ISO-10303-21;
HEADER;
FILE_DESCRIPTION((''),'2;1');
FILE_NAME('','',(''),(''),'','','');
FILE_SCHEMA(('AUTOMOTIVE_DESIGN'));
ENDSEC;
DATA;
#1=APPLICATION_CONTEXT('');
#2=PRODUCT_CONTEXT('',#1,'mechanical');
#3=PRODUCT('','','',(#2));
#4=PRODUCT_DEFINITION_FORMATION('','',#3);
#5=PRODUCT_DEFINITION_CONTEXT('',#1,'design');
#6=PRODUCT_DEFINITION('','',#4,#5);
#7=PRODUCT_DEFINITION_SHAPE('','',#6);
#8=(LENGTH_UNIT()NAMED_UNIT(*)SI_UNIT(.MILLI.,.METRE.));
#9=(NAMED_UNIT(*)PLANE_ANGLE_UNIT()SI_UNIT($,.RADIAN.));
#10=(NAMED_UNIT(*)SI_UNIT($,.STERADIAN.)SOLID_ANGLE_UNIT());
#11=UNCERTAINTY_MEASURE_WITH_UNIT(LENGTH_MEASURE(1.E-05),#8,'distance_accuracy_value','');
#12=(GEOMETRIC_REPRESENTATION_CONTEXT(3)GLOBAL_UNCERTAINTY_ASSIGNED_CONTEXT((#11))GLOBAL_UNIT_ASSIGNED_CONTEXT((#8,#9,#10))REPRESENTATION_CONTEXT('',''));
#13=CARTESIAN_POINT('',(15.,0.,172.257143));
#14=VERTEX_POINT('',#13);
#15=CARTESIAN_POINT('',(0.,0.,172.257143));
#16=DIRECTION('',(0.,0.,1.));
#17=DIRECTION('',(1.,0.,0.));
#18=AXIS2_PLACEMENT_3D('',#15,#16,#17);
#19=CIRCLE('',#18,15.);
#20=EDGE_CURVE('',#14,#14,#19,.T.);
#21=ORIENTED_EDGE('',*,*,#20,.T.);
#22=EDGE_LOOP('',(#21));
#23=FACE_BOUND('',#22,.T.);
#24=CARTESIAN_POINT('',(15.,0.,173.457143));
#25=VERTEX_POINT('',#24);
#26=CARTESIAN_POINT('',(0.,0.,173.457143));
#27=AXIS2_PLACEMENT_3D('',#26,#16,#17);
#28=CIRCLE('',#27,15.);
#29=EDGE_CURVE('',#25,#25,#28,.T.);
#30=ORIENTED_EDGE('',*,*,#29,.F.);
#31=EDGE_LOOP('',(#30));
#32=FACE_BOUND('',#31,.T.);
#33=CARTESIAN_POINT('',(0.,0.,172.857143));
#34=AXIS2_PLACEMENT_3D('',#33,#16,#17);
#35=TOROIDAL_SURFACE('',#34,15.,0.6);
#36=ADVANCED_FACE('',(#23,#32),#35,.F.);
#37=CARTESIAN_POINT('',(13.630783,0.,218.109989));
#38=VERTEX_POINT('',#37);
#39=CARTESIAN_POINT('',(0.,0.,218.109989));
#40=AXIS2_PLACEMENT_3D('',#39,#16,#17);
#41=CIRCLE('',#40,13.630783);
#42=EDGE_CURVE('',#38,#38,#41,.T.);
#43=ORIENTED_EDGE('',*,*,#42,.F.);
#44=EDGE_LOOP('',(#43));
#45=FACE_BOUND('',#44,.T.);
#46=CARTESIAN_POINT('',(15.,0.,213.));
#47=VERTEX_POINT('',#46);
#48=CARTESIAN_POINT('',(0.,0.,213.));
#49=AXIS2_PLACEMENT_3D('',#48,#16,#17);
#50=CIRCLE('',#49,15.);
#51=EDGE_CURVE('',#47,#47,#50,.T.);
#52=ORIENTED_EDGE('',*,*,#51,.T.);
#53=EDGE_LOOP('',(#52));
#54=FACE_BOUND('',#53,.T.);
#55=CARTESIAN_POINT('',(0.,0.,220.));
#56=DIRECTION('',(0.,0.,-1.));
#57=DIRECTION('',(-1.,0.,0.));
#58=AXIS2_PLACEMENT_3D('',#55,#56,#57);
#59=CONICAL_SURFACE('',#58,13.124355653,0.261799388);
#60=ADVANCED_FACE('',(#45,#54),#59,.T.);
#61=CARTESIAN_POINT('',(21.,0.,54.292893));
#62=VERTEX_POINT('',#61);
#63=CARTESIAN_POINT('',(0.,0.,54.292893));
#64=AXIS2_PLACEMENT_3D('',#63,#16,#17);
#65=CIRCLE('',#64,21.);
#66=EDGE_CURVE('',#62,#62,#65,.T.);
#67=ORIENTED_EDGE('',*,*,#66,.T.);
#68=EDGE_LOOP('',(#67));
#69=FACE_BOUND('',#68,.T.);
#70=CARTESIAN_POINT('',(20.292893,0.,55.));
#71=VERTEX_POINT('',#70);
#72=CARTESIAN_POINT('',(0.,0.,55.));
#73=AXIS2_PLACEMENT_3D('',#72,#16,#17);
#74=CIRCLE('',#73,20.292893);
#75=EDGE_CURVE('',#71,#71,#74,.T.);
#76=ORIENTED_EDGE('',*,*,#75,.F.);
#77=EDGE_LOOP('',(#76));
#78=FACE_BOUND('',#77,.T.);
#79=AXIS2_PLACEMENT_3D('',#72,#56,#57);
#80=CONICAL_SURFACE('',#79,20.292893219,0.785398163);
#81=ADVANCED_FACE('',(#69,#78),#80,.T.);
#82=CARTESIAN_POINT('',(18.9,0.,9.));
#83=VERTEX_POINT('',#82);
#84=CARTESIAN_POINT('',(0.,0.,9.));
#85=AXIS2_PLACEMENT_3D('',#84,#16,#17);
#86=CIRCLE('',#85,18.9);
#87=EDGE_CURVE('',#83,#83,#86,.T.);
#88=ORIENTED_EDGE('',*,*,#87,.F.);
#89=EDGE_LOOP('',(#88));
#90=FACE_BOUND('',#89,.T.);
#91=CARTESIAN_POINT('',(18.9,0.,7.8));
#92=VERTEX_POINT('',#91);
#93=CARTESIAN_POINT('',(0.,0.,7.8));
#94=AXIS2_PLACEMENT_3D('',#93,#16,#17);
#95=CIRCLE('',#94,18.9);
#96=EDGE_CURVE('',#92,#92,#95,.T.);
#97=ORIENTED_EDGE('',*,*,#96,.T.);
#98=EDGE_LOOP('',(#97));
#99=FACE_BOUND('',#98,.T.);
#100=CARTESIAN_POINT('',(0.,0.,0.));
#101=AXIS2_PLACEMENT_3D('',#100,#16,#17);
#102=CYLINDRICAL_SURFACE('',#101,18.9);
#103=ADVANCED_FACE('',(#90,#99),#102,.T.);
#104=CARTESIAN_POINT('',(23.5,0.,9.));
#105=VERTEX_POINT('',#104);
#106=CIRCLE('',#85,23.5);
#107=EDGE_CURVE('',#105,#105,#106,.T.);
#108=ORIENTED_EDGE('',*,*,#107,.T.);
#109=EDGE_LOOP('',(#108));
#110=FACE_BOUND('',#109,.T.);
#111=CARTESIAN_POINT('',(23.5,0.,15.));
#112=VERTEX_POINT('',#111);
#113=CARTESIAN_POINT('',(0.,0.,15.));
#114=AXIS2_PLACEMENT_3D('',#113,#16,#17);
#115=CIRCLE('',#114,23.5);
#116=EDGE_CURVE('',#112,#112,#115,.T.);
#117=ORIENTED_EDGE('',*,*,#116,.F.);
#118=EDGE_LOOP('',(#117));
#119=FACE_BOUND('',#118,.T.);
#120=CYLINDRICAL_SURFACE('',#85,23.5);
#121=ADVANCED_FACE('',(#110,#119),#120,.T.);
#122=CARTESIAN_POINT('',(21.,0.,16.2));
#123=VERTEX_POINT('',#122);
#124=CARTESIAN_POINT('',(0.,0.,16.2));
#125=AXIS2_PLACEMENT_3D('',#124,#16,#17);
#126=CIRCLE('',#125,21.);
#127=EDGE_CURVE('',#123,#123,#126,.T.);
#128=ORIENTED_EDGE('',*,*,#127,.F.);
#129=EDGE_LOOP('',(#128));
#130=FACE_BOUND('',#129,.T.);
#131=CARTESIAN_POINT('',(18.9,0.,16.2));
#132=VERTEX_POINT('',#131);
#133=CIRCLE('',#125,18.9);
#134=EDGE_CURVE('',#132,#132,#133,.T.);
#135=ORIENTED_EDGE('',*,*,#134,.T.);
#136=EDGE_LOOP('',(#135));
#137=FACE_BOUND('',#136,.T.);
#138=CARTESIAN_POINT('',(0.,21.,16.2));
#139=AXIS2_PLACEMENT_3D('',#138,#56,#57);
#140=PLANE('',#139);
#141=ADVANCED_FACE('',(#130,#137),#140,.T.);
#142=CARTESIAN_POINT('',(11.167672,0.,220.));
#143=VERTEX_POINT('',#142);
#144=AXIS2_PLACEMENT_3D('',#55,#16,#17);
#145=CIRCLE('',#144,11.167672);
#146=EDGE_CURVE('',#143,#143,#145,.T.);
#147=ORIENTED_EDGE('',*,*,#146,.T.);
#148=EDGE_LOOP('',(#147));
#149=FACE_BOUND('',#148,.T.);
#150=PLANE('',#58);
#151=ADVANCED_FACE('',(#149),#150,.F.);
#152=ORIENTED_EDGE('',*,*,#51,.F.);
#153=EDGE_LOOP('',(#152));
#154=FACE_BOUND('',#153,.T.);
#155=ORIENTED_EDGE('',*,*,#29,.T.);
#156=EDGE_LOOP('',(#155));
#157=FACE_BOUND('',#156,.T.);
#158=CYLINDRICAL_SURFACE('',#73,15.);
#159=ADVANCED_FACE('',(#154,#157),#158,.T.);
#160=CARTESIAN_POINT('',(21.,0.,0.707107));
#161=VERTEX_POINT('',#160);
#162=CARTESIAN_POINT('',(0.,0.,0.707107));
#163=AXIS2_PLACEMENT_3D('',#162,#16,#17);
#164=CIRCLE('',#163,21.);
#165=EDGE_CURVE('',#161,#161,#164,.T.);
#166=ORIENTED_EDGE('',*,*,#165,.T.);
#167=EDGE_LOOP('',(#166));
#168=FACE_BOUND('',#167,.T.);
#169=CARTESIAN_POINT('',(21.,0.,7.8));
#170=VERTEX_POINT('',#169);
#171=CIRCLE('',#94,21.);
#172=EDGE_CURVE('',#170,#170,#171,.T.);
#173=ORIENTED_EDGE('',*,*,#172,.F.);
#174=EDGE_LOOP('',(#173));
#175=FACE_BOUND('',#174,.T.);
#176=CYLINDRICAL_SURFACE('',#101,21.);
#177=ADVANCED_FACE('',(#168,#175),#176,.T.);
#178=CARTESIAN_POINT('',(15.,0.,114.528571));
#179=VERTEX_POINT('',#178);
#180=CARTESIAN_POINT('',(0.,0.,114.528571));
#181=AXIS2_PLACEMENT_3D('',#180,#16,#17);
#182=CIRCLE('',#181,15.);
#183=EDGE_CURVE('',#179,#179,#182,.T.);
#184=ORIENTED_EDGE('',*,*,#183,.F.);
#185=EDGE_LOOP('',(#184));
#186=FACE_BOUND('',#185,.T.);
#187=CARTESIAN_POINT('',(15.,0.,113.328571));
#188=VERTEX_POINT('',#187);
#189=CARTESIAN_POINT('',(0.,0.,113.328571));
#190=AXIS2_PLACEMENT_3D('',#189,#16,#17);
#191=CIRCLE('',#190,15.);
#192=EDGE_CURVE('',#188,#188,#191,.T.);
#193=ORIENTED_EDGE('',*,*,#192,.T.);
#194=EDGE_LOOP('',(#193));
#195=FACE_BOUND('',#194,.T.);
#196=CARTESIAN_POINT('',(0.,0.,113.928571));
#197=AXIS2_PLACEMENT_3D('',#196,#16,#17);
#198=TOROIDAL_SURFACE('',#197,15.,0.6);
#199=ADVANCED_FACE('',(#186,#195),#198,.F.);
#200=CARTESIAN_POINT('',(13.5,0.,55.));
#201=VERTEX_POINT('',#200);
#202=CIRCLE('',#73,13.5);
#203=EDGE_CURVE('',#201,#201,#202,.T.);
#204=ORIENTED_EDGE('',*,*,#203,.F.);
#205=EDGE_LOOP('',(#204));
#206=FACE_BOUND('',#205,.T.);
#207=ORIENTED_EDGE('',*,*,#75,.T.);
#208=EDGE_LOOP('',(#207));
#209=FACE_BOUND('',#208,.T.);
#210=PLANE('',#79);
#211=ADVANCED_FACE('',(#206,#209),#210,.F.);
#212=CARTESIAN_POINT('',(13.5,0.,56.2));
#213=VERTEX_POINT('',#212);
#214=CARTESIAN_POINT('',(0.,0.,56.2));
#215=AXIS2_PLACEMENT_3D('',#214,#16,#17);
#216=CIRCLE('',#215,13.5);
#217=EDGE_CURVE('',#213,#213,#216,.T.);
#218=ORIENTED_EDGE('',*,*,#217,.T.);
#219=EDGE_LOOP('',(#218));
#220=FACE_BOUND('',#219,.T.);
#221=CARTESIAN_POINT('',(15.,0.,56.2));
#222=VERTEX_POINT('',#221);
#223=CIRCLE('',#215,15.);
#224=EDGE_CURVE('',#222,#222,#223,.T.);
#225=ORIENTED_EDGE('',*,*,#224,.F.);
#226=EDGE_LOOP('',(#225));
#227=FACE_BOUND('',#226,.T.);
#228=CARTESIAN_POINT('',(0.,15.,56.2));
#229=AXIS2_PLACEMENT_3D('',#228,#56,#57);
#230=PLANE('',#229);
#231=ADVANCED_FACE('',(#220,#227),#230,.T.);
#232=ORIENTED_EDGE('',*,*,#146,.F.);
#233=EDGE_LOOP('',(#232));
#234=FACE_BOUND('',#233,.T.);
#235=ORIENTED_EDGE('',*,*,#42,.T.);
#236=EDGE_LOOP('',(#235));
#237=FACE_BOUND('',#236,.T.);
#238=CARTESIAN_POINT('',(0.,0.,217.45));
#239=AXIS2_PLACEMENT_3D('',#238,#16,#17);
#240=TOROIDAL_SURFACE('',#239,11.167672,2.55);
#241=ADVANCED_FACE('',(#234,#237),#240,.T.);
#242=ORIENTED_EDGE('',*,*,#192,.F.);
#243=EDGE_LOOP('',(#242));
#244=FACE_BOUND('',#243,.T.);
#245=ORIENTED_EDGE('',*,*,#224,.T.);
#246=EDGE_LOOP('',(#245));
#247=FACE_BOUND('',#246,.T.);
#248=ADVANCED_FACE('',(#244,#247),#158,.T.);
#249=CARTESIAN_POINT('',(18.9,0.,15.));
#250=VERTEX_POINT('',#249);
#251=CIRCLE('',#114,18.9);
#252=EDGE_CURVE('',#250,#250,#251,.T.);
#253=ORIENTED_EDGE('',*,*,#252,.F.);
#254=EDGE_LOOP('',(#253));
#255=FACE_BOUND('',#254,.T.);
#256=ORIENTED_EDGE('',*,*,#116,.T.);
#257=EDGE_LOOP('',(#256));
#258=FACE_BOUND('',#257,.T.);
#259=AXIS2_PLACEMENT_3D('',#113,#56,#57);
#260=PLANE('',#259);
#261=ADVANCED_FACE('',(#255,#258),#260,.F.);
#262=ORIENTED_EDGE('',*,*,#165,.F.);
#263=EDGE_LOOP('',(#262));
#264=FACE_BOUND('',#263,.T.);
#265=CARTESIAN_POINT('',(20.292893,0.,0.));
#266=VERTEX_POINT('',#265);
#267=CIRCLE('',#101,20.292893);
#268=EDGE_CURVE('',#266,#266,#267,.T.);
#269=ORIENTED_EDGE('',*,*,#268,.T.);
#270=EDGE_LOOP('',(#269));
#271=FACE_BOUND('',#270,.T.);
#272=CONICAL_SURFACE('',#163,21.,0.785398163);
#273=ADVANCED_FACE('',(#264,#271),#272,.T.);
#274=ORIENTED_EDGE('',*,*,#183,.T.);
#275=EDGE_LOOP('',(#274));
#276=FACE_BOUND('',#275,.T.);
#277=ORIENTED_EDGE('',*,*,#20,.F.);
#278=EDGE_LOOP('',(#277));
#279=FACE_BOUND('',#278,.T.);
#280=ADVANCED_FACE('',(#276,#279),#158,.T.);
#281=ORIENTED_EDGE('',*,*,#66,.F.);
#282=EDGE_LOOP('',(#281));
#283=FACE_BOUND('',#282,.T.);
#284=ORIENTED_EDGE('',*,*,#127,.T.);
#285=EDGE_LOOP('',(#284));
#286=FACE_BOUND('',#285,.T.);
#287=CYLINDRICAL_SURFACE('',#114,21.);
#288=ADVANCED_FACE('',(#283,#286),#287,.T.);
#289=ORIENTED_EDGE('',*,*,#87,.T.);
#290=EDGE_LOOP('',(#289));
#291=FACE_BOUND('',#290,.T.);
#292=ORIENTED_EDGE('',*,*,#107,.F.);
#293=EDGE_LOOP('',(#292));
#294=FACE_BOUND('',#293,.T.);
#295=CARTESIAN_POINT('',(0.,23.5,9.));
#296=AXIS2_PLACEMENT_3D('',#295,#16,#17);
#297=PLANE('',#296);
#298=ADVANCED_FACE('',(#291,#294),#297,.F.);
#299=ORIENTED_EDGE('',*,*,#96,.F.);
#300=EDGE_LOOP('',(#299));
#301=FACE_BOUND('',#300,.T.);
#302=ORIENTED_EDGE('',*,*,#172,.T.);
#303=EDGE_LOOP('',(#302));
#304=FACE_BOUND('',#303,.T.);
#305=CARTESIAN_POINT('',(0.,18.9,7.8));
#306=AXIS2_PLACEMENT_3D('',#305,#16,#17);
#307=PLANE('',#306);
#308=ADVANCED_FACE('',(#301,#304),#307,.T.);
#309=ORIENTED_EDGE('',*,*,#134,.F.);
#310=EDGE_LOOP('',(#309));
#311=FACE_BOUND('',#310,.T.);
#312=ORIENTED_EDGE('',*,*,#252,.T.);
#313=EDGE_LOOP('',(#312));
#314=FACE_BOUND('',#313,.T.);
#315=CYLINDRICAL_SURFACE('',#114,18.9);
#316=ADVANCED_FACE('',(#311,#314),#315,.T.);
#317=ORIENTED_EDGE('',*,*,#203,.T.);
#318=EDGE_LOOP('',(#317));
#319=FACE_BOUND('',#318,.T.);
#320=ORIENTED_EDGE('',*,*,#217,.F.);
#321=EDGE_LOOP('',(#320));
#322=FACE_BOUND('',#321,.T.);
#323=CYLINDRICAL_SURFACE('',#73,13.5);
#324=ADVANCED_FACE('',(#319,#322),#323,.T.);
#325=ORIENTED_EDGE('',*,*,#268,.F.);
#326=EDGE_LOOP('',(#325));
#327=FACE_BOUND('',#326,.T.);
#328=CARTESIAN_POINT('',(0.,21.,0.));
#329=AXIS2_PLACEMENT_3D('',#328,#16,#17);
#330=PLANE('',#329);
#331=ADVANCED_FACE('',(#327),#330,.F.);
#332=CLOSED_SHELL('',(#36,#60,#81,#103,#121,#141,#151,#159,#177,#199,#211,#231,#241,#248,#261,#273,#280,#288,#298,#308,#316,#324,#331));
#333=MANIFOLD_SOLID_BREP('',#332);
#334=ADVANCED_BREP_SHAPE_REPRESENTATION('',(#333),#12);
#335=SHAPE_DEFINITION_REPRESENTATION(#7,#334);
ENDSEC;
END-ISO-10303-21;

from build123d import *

# Parameters (mm, degrees)
SZKIC1_W = 9
SZKIC1_H = 21
SZKIC3_W = 1.2
SZKIC3_H = 2.1
SZKIC4_W = 6
SZKIC4_H = 23.5
SZKIC5_W = 40
SZKIC5_H = 21
SZKIC6_W = 1.2
SZKIC6_H = 2.1
SZKIC8_W = 165
SZKIC8_H = 15
SZKIC9_W = 1.2
SZKIC9_H = 1.5


with BuildPart() as part:
    # Szkic1 → Obrót1 (revolve)
    with BuildSketch(Plane(origin=(0, 0, 0), x_dir=(0, 0, -1), z_dir=(1, 0, 0))):
        with Locations((-4.5, 10.5)):
            Rectangle(SZKIC1_W, SZKIC1_H)
    revolve(axis=Axis((0, 0, 0), (0, 0, 1)))

    # Szkic2 → Wycięcie-obrót1 (revolve, cut)
    with BuildSketch(Plane(origin=(0, 0, 0), x_dir=(0, 0, -1), z_dir=(1, 0, 0))):
        Polygon((-0.707106781, 21), (0, 20.292893219), (0, 21), align=None)
    revolve(axis=Axis((0, 0, 0), (0, 0, 1)), mode=Mode.SUBTRACT)

    # Szkic3 → Wycięcie-obrót2 (revolve, cut)
    with BuildSketch(Plane(origin=(0, 0, 0), x_dir=(0, 0, -1), z_dir=(1, 0, 0))):
        with Locations((-8.4, 19.95)):
            Rectangle(SZKIC3_W, SZKIC3_H)
    revolve(axis=Axis((0, 0, 0), (0, 0, 1)), mode=Mode.SUBTRACT)

    # Szkic4 → Obrót2 (revolve)
    with BuildSketch(Plane(origin=(0, 0, 0), x_dir=(0, 0, -1), z_dir=(1, 0, 0))):
        with Locations((-12, 11.75)):
            Rectangle(SZKIC4_W, SZKIC4_H)
    revolve(axis=Axis((0, 0, 9), (0, 0, 1)))

    # Szkic5 → Obrót3 (revolve)
    with BuildSketch(Plane(origin=(0, 0, 0), x_dir=(0, 0, -1), z_dir=(1, 0, 0))):
        with Locations((-35, 10.5)):
            Rectangle(SZKIC5_W, SZKIC5_H)
    revolve(axis=Axis((0, 0, 15), (0, 0, 1)))

    # Szkic6 → Wycięcie-obrót3 (revolve, cut)
    with BuildSketch(Plane(origin=(0, 0, 0), x_dir=(0, 0, -1), z_dir=(1, 0, 0))):
        with Locations((-15.6, 19.95)):
            Rectangle(SZKIC6_W, SZKIC6_H)
    revolve(axis=Axis((0, 0, 15), (0, 0, 1)), mode=Mode.SUBTRACT)

    # Szkic7 → Wycięcie-obrót4 (revolve, cut)
    with BuildSketch(Plane(origin=(0, 0, 0), x_dir=(0, 0, -1), z_dir=(1, 0, 0))):
        Polygon((-55, 20.292893219), (-54.292893219, 21), (-55, 21), align=None)
    revolve(axis=Axis((0, 0, 9), (0, 0, 1)), mode=Mode.SUBTRACT)

    # Szkic8 → Obrót4 (revolve)
    with BuildSketch(Plane(origin=(0, 0, 0), x_dir=(0, 0, -1), z_dir=(1, 0, 0))):
        with Locations((-137.5, 7.5)):
            Rectangle(SZKIC8_W, SZKIC8_H)
    revolve(axis=Axis((0, 0, 55), (0, 0, 1)))

    # Szkic9 → Wycięcie-obrót5 (revolve, cut)
    with BuildSketch(Plane(origin=(0, 0, 0), x_dir=(0, 0, -1), z_dir=(1, 0, 0))):
        with Locations((-55.6, 14.25)):
            Rectangle(SZKIC9_W, SZKIC9_H)
    revolve(axis=Axis((0, 0, 55), (0, 0, 1)), mode=Mode.SUBTRACT)

    # Szkic10 → Wycięcie-obrót6 (revolve, cut)
    with BuildSketch(Plane(origin=(0, 0, 0), x_dir=(0, 0, -1), z_dir=(1, 0, 0))):
        Polygon((-220, 13.124355653), (-213, 15), (-220, 15), align=None)
    revolve(axis=Axis((0, 0, 55), (0, 0, 1)), mode=Mode.SUBTRACT)

    # Szkic11 → Wycięcie-obrót7 (revolve, cut)
    with BuildSketch(Plane(origin=(0, 0, 0), x_dir=(0, 0, -1), z_dir=(1, 0, 0))):
        with BuildLine():
            Line((-218.109988565, 13.630782691), (-220, 13.124355653))
            Line((-220, 13.124355653), (-220, 11.167671834))
            ThreePointArc((-220, 11.167671834), (-219.473051018, 12.720013478), (-218.109988565, 13.630782691))
        make_face()
    revolve(axis=Axis((0, 0, 55), (0, 0, 1)), mode=Mode.SUBTRACT)

    # Szkic12 → Wycięcie-obrót8 (revolve, cut)
    with BuildSketch(Plane(origin=(0, 0, 0), x_dir=(0, 0, -1), z_dir=(1, 0, 0))):
        with BuildLine():
            Line((-172.257142857, 15), (-173.457142857, 15))
            ThreePointArc((-173.457142857, 15), (-172.857142857, 14.4), (-172.257142857, 15))
        make_face()
    revolve(axis=Axis((0, 0, 172.257142857), (0, 0, 1)), mode=Mode.SUBTRACT)

    # Szkic13 → Wycięcie-obrót9 (revolve, cut)
    with BuildSketch(Plane(origin=(0, 0, 0), x_dir=(0, 0, -1), z_dir=(1, 0, 0))):
        with BuildLine():
            Line((-113.328570957, 15), (-114.528570957, 15))
            ThreePointArc((-114.528570957, 15), (-113.928570957, 14.4), (-113.328570957, 15))
        make_face()
    revolve(axis=Axis((0, 0, 113.328570957), (0, 0, 1)), mode=Mode.SUBTRACT)


solid = part.part
